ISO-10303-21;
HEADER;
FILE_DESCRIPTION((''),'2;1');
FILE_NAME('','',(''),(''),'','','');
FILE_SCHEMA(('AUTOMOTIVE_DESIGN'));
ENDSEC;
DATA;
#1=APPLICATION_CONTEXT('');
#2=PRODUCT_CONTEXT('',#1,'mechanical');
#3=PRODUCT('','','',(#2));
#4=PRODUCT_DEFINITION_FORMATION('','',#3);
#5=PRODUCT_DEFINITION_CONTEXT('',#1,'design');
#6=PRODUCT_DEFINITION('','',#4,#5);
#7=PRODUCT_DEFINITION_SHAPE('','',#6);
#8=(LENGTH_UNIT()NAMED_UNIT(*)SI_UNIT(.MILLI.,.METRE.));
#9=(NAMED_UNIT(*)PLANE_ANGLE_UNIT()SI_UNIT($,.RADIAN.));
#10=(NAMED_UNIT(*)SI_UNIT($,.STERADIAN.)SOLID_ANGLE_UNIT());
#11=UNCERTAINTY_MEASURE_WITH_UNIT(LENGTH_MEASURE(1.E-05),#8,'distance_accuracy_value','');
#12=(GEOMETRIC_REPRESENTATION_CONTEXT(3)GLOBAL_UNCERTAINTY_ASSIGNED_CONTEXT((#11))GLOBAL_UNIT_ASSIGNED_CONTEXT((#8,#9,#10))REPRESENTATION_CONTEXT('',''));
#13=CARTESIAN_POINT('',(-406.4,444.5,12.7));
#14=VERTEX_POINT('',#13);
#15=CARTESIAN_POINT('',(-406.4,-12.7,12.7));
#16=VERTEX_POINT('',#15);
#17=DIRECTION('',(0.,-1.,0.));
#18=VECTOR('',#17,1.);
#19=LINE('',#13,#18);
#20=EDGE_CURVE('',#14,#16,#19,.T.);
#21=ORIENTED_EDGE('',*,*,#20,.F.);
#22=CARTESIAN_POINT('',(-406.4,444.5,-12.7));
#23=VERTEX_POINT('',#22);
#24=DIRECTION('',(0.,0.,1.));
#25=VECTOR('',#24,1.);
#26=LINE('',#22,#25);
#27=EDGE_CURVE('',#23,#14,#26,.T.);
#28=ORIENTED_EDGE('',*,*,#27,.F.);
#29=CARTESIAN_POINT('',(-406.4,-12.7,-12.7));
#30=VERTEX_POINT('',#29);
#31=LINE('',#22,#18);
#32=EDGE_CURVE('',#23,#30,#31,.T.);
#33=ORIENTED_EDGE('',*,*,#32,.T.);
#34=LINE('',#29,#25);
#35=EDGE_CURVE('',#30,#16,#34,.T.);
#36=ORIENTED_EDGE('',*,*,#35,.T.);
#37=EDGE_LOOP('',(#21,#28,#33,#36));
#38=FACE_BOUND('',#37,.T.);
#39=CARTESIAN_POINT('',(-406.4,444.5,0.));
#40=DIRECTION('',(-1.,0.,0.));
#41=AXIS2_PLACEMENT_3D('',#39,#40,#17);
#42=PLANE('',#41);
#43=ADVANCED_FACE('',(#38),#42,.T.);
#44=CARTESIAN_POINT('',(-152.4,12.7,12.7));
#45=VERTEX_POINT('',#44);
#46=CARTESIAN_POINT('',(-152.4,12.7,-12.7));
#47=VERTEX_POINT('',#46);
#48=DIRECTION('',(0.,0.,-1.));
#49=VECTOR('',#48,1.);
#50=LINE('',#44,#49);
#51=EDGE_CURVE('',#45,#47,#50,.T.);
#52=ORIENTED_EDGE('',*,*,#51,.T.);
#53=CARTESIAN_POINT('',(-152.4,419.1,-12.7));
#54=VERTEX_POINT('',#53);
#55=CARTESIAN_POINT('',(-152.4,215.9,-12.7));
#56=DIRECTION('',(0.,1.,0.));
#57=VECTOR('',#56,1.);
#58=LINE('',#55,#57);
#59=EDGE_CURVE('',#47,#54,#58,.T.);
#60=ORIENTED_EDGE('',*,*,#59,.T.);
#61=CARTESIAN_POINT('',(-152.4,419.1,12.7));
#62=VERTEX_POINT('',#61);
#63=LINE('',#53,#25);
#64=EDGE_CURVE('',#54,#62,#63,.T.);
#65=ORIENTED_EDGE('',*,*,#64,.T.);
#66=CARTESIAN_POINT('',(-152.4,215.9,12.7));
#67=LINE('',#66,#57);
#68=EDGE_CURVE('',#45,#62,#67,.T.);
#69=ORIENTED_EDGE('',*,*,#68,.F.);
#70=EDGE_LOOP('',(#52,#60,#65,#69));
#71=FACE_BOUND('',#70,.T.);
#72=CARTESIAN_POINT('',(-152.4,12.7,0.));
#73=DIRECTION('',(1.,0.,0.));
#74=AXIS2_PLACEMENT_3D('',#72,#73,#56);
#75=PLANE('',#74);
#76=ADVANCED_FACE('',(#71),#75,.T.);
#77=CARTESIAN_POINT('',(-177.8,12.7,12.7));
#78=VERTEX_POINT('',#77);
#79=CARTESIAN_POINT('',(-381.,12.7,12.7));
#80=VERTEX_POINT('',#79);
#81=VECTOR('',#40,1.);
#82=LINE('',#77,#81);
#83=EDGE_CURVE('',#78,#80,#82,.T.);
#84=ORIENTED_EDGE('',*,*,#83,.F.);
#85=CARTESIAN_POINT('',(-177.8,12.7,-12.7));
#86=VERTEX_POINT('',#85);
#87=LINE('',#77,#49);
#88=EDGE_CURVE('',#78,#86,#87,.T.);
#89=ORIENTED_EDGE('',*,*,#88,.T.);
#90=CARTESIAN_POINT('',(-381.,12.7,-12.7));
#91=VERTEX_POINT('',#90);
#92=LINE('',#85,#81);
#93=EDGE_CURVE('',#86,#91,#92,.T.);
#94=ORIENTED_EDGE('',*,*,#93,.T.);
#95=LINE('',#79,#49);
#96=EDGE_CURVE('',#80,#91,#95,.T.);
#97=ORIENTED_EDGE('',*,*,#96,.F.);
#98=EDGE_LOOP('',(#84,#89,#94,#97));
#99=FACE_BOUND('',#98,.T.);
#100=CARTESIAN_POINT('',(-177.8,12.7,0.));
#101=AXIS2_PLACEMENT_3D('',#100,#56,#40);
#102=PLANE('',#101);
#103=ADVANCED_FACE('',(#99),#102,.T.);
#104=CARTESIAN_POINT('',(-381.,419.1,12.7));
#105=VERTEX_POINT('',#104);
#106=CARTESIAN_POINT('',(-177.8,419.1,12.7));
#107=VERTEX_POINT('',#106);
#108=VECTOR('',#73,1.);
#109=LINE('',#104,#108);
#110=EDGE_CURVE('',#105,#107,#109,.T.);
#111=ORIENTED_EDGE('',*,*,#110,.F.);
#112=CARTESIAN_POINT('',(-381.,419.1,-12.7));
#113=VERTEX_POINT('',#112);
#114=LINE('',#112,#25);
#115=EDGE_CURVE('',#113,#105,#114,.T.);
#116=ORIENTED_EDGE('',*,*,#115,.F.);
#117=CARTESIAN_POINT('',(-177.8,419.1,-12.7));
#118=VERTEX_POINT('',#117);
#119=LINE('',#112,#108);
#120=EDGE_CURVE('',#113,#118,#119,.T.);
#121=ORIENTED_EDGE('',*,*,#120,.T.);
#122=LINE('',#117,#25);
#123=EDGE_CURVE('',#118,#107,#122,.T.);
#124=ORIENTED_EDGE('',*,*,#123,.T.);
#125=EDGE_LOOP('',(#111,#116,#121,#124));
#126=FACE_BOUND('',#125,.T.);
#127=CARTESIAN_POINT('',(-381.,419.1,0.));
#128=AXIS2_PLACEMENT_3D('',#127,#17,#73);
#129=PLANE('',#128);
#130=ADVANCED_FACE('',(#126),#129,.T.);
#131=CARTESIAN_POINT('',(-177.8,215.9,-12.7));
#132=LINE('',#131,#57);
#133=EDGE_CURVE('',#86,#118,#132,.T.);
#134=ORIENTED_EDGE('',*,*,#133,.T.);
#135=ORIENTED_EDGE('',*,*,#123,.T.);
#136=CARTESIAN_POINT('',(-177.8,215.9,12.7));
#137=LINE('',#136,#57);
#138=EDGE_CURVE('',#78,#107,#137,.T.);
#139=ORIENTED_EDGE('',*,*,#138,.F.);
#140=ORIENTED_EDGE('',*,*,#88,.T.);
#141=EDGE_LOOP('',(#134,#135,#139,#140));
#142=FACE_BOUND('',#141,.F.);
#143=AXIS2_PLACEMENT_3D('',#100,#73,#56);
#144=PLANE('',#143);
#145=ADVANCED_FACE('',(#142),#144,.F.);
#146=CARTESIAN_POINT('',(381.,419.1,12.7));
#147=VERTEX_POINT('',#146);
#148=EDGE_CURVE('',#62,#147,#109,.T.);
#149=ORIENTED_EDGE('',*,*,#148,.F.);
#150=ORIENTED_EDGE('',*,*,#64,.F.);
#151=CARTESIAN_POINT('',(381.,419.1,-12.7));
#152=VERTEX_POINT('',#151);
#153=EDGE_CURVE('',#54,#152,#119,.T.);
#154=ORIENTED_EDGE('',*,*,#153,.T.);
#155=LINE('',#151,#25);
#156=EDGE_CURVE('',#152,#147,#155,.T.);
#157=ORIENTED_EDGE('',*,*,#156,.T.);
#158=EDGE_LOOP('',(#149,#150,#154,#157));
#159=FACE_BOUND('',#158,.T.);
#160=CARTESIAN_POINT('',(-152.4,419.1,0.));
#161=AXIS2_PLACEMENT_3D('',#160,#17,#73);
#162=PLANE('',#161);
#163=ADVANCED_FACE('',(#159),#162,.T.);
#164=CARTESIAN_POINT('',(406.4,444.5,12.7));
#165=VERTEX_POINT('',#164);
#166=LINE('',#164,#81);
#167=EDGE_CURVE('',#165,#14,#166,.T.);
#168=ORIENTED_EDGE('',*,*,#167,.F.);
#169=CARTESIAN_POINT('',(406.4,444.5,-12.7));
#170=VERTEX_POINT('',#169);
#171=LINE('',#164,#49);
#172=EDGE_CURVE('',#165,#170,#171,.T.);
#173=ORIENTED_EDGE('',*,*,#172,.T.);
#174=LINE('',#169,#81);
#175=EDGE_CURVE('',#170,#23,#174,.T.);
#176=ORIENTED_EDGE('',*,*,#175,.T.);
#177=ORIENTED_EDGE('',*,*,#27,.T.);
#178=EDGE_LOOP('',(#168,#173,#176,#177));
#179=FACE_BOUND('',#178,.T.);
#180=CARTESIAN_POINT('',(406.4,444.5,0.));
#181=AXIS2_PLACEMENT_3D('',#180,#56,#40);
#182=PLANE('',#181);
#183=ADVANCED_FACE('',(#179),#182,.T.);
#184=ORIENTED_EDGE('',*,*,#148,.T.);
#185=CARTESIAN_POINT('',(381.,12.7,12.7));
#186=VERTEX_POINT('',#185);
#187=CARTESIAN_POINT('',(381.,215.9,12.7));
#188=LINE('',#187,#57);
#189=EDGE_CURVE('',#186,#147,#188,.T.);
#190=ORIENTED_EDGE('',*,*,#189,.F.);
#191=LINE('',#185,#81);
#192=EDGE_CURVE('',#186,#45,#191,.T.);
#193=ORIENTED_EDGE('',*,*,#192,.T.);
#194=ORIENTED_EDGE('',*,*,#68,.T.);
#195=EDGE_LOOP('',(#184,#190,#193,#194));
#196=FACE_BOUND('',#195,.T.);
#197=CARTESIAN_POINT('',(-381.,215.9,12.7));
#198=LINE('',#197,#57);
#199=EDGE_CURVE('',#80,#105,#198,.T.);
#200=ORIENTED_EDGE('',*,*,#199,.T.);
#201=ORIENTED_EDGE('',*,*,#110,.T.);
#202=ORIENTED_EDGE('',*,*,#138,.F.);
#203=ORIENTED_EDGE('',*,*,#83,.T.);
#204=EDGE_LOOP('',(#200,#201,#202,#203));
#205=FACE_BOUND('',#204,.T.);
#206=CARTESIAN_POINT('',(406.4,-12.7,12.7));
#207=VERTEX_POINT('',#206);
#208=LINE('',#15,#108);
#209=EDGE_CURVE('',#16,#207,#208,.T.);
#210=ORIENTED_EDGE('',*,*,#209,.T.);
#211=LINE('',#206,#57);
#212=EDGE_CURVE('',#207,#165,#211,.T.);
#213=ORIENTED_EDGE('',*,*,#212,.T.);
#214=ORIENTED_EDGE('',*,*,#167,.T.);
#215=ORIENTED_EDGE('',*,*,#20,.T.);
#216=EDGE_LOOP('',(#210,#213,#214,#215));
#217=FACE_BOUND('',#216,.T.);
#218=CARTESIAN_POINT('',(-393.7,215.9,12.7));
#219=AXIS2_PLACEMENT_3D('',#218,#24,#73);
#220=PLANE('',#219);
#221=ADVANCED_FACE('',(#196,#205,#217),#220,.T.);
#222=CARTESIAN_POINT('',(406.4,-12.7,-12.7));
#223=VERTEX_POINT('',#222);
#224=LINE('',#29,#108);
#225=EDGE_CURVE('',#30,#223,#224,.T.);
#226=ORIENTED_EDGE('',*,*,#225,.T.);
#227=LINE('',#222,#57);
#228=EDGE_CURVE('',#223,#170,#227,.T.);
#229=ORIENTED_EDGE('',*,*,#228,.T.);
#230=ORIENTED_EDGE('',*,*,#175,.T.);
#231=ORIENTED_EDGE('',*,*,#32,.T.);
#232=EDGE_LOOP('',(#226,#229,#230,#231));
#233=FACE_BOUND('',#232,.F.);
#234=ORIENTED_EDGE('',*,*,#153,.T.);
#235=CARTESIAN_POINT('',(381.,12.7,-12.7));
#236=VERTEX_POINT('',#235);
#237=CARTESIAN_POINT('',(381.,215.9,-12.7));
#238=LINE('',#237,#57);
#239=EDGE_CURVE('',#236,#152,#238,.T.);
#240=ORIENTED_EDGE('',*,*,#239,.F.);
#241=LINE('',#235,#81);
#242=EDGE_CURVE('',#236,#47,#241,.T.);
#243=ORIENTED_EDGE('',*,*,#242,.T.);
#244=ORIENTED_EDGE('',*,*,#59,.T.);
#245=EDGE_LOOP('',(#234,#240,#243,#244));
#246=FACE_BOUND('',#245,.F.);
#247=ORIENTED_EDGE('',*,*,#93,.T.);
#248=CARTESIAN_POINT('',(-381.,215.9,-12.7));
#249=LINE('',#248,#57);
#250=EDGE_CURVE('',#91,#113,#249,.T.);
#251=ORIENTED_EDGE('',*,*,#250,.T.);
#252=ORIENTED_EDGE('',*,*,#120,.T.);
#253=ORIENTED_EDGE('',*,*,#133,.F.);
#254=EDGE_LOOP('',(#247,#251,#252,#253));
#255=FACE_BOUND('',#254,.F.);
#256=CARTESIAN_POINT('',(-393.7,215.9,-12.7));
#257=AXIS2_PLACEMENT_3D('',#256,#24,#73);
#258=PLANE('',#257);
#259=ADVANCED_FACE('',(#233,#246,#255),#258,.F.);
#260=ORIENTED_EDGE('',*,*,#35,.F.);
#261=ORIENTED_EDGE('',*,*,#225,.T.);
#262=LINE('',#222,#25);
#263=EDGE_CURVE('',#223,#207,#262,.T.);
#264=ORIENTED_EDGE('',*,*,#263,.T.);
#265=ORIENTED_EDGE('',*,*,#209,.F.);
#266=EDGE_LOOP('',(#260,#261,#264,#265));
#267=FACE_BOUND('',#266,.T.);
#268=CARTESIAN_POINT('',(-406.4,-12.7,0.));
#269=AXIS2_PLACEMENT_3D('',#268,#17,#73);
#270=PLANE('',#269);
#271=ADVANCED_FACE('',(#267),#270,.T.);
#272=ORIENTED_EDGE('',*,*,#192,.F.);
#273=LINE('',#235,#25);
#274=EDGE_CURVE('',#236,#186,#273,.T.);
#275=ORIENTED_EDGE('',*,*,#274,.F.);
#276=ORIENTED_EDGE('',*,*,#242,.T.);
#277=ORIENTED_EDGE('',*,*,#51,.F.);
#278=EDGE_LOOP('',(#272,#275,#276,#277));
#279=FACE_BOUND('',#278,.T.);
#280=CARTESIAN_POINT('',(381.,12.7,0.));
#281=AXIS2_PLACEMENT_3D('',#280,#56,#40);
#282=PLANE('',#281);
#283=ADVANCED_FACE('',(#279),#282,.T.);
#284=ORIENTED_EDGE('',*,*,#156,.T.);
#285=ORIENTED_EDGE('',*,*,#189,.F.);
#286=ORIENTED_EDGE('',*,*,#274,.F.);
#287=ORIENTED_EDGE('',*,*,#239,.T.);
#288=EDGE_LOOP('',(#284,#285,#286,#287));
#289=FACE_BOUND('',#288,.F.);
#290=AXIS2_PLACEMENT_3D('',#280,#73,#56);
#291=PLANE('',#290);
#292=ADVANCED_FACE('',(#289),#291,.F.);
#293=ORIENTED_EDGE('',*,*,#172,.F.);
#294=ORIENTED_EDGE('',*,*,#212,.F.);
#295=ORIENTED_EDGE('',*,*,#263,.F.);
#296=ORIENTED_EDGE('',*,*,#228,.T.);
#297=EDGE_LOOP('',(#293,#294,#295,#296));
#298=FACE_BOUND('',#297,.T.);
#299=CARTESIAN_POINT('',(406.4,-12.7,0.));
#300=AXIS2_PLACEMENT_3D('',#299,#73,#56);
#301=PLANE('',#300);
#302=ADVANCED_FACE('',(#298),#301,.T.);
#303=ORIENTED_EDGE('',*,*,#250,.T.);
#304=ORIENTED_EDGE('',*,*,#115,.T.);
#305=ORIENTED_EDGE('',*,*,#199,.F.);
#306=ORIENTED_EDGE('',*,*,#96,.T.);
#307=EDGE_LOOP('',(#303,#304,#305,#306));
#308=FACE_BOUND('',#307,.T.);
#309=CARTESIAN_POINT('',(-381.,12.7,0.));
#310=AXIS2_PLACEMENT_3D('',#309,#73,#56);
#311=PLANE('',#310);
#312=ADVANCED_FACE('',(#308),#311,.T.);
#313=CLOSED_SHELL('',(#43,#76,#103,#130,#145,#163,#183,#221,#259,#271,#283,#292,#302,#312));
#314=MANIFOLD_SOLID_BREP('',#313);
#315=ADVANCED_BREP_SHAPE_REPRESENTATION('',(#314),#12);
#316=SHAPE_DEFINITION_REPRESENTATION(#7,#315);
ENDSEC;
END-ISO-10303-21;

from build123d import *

# Parameters (mm, degrees)
F0_W     = 25.4
F0_H     = 406.4
F1_DEPTH = 12.7


with BuildPart() as f1:
    # F0 (on Top) → F1 (new body, symmetric)
    with BuildSketch(Plane.XY):
        with Locations((-393.7, 215.9)):
            Rectangle(F0_W, F0_H)
        Polygon((381, 419.1), (406.4, 419.1), (406.4, 444.5), (-406.4, 444.5), (-406.4, 419.1), (-381, 419.1), (-177.8, 419.1), (-152.4, 419.1), (355.6, 419.1), align=None)
        with Locations((-165.1, 215.9)):
            Rectangle(F0_W, F0_H)
        with Locations((393.7, 215.9)):
            Rectangle(F0_W, F0_H)
        Polygon((406.4, -12.7), (406.4, 12.7), (381, 12.7), (-152.4, 12.7), (-177.8, 12.7), (-381, 12.7), (-406.4, 12.7), (-406.4, -12.7), align=None)
    extrude(amount=F1_DEPTH, both=True)


solid = f1.part
